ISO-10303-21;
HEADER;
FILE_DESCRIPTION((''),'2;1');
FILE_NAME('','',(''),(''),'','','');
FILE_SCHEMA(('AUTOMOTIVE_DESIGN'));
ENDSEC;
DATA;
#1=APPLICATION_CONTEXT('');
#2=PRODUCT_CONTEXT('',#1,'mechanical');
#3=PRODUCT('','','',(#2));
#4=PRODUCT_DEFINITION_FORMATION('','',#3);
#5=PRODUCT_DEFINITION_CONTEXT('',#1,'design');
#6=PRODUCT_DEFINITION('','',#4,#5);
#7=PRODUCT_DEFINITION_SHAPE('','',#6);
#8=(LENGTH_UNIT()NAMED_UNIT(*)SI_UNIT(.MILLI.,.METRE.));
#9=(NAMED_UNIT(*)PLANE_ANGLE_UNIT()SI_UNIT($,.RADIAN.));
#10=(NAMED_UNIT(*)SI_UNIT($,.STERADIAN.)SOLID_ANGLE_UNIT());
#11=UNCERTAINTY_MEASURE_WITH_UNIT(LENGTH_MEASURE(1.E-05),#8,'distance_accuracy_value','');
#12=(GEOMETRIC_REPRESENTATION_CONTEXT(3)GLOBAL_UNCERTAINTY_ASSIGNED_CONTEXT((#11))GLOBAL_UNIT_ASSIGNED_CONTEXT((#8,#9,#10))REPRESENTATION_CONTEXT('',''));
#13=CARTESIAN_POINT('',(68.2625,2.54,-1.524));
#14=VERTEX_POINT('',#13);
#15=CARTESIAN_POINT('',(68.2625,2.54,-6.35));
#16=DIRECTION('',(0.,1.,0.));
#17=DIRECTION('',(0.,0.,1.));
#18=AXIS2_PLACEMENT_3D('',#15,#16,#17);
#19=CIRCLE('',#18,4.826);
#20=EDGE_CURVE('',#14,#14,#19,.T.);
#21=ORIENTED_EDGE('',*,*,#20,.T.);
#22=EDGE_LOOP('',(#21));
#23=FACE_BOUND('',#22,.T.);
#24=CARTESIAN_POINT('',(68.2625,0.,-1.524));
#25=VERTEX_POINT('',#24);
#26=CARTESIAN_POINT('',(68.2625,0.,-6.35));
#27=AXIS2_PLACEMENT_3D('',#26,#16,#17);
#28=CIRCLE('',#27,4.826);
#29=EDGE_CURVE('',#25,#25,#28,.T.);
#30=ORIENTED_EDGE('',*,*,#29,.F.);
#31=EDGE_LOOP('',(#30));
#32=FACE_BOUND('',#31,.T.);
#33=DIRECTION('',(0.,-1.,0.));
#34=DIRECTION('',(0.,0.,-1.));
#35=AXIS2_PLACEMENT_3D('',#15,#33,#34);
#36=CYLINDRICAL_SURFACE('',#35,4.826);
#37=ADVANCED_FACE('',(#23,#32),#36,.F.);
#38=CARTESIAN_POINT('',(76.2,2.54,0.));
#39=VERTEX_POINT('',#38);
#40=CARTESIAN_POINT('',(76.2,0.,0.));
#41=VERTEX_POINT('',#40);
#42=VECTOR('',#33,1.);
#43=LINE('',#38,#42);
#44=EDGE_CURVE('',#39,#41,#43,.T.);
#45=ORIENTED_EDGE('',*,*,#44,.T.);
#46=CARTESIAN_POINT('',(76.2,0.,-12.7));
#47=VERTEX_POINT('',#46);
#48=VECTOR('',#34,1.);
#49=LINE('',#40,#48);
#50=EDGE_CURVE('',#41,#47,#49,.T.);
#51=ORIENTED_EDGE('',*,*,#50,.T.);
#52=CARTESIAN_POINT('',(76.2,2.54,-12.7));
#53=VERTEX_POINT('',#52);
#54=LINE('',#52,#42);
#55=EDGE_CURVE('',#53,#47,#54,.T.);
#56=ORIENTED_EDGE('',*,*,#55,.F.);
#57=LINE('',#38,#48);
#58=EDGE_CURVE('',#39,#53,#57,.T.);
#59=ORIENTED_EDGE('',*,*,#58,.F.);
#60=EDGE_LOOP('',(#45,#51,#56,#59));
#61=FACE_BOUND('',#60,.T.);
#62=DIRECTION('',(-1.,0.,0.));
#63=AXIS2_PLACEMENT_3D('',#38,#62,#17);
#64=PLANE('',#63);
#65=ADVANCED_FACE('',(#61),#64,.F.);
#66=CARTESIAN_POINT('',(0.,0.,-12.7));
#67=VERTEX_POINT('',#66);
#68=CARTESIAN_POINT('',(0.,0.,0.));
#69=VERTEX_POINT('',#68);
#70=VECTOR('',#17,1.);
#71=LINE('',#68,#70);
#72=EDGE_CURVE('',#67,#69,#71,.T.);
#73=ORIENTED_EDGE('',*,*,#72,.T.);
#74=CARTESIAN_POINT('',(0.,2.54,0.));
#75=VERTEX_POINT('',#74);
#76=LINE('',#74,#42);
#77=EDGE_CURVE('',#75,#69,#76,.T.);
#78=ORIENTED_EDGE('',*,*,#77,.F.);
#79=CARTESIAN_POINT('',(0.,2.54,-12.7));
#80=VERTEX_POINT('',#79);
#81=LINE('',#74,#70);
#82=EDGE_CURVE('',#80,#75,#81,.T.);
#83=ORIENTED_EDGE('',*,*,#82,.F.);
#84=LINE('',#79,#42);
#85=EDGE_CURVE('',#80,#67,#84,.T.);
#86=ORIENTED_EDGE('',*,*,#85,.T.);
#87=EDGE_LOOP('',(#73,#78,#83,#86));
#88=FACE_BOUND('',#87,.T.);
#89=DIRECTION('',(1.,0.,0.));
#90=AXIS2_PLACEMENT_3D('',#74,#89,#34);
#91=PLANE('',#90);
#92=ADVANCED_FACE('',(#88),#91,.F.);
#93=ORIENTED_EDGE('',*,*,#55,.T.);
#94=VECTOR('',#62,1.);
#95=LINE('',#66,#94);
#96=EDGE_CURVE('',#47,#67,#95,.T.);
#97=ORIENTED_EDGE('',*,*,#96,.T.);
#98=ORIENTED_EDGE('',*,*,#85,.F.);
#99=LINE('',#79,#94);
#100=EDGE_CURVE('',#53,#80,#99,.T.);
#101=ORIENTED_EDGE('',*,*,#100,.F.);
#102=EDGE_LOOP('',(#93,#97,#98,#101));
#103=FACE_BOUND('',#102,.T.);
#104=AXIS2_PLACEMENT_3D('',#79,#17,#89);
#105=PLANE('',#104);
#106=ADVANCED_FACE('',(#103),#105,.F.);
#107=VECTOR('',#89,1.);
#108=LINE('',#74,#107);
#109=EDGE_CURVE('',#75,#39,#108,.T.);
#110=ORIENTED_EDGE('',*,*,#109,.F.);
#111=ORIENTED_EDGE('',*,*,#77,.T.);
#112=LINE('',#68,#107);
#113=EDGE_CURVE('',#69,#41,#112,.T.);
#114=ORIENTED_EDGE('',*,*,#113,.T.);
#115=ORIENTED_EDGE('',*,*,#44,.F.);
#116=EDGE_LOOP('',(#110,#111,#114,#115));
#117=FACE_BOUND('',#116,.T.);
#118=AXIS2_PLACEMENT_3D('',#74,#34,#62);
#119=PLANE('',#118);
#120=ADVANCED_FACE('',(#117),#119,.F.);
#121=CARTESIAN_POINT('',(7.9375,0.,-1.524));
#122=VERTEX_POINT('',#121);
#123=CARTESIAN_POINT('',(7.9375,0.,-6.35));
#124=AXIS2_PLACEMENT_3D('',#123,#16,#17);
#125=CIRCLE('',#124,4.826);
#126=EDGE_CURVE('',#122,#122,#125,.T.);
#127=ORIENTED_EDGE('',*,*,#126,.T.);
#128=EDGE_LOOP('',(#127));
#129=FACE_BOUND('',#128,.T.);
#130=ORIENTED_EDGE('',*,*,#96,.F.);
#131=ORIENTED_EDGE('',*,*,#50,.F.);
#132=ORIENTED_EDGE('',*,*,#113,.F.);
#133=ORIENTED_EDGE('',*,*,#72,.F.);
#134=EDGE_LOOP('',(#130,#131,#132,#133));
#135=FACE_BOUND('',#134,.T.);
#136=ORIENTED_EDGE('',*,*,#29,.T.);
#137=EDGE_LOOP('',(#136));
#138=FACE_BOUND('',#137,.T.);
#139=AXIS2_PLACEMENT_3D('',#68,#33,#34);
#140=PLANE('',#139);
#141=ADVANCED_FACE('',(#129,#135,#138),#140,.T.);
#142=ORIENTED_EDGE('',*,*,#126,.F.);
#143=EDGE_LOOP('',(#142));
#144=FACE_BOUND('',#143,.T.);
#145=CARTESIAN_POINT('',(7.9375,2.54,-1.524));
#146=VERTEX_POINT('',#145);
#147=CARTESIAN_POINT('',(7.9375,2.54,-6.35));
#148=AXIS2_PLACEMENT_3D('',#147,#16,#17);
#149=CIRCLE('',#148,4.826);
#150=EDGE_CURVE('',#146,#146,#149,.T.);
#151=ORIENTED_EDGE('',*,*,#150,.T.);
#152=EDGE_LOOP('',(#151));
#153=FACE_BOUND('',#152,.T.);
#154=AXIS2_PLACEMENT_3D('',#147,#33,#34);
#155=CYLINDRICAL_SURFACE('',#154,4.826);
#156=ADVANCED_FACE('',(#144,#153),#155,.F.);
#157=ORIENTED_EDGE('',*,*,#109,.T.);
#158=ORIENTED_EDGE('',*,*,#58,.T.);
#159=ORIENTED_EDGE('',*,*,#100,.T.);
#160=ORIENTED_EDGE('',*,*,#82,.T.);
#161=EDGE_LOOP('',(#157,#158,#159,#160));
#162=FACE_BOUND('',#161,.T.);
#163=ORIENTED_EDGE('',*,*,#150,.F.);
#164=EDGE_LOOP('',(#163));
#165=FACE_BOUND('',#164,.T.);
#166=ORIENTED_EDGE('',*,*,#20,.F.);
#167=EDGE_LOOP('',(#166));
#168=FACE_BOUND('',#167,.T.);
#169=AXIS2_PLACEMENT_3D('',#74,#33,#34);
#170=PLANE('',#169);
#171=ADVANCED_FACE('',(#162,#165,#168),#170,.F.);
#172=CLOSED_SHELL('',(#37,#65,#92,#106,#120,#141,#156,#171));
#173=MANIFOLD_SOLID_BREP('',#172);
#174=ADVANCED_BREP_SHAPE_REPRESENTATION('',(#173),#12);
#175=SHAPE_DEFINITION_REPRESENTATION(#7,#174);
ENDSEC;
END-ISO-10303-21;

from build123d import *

# Parameters (mm, degrees)
SKETCH1_W           = 76.2
SKETCH1_H           = 12.7
SKETCH1_R           = 4.826
BOSS_EXTRUDE1_DEPTH = 2.54


with BuildPart() as part:
    # Sketch1 → Boss-Extrude1 (new body)
    with BuildSketch(Plane(origin=(0, 0, 0), x_dir=(1, 0, 0), z_dir=(0, 1, 0))):
        with Locations((38.1, 6.35)):
            Rectangle(SKETCH1_W, SKETCH1_H)
        with Locations(Location((7.9375, 6.35, 0), (0, 0, 270))):
            Circle(SKETCH1_R, mode=Mode.SUBTRACT)
        with Locations(Location((68.2625, 6.35, 0), (0, 0, 270))):
            Circle(SKETCH1_R, mode=Mode.SUBTRACT)
    extrude(amount=BOSS_EXTRUDE1_DEPTH)


solid = part.part
